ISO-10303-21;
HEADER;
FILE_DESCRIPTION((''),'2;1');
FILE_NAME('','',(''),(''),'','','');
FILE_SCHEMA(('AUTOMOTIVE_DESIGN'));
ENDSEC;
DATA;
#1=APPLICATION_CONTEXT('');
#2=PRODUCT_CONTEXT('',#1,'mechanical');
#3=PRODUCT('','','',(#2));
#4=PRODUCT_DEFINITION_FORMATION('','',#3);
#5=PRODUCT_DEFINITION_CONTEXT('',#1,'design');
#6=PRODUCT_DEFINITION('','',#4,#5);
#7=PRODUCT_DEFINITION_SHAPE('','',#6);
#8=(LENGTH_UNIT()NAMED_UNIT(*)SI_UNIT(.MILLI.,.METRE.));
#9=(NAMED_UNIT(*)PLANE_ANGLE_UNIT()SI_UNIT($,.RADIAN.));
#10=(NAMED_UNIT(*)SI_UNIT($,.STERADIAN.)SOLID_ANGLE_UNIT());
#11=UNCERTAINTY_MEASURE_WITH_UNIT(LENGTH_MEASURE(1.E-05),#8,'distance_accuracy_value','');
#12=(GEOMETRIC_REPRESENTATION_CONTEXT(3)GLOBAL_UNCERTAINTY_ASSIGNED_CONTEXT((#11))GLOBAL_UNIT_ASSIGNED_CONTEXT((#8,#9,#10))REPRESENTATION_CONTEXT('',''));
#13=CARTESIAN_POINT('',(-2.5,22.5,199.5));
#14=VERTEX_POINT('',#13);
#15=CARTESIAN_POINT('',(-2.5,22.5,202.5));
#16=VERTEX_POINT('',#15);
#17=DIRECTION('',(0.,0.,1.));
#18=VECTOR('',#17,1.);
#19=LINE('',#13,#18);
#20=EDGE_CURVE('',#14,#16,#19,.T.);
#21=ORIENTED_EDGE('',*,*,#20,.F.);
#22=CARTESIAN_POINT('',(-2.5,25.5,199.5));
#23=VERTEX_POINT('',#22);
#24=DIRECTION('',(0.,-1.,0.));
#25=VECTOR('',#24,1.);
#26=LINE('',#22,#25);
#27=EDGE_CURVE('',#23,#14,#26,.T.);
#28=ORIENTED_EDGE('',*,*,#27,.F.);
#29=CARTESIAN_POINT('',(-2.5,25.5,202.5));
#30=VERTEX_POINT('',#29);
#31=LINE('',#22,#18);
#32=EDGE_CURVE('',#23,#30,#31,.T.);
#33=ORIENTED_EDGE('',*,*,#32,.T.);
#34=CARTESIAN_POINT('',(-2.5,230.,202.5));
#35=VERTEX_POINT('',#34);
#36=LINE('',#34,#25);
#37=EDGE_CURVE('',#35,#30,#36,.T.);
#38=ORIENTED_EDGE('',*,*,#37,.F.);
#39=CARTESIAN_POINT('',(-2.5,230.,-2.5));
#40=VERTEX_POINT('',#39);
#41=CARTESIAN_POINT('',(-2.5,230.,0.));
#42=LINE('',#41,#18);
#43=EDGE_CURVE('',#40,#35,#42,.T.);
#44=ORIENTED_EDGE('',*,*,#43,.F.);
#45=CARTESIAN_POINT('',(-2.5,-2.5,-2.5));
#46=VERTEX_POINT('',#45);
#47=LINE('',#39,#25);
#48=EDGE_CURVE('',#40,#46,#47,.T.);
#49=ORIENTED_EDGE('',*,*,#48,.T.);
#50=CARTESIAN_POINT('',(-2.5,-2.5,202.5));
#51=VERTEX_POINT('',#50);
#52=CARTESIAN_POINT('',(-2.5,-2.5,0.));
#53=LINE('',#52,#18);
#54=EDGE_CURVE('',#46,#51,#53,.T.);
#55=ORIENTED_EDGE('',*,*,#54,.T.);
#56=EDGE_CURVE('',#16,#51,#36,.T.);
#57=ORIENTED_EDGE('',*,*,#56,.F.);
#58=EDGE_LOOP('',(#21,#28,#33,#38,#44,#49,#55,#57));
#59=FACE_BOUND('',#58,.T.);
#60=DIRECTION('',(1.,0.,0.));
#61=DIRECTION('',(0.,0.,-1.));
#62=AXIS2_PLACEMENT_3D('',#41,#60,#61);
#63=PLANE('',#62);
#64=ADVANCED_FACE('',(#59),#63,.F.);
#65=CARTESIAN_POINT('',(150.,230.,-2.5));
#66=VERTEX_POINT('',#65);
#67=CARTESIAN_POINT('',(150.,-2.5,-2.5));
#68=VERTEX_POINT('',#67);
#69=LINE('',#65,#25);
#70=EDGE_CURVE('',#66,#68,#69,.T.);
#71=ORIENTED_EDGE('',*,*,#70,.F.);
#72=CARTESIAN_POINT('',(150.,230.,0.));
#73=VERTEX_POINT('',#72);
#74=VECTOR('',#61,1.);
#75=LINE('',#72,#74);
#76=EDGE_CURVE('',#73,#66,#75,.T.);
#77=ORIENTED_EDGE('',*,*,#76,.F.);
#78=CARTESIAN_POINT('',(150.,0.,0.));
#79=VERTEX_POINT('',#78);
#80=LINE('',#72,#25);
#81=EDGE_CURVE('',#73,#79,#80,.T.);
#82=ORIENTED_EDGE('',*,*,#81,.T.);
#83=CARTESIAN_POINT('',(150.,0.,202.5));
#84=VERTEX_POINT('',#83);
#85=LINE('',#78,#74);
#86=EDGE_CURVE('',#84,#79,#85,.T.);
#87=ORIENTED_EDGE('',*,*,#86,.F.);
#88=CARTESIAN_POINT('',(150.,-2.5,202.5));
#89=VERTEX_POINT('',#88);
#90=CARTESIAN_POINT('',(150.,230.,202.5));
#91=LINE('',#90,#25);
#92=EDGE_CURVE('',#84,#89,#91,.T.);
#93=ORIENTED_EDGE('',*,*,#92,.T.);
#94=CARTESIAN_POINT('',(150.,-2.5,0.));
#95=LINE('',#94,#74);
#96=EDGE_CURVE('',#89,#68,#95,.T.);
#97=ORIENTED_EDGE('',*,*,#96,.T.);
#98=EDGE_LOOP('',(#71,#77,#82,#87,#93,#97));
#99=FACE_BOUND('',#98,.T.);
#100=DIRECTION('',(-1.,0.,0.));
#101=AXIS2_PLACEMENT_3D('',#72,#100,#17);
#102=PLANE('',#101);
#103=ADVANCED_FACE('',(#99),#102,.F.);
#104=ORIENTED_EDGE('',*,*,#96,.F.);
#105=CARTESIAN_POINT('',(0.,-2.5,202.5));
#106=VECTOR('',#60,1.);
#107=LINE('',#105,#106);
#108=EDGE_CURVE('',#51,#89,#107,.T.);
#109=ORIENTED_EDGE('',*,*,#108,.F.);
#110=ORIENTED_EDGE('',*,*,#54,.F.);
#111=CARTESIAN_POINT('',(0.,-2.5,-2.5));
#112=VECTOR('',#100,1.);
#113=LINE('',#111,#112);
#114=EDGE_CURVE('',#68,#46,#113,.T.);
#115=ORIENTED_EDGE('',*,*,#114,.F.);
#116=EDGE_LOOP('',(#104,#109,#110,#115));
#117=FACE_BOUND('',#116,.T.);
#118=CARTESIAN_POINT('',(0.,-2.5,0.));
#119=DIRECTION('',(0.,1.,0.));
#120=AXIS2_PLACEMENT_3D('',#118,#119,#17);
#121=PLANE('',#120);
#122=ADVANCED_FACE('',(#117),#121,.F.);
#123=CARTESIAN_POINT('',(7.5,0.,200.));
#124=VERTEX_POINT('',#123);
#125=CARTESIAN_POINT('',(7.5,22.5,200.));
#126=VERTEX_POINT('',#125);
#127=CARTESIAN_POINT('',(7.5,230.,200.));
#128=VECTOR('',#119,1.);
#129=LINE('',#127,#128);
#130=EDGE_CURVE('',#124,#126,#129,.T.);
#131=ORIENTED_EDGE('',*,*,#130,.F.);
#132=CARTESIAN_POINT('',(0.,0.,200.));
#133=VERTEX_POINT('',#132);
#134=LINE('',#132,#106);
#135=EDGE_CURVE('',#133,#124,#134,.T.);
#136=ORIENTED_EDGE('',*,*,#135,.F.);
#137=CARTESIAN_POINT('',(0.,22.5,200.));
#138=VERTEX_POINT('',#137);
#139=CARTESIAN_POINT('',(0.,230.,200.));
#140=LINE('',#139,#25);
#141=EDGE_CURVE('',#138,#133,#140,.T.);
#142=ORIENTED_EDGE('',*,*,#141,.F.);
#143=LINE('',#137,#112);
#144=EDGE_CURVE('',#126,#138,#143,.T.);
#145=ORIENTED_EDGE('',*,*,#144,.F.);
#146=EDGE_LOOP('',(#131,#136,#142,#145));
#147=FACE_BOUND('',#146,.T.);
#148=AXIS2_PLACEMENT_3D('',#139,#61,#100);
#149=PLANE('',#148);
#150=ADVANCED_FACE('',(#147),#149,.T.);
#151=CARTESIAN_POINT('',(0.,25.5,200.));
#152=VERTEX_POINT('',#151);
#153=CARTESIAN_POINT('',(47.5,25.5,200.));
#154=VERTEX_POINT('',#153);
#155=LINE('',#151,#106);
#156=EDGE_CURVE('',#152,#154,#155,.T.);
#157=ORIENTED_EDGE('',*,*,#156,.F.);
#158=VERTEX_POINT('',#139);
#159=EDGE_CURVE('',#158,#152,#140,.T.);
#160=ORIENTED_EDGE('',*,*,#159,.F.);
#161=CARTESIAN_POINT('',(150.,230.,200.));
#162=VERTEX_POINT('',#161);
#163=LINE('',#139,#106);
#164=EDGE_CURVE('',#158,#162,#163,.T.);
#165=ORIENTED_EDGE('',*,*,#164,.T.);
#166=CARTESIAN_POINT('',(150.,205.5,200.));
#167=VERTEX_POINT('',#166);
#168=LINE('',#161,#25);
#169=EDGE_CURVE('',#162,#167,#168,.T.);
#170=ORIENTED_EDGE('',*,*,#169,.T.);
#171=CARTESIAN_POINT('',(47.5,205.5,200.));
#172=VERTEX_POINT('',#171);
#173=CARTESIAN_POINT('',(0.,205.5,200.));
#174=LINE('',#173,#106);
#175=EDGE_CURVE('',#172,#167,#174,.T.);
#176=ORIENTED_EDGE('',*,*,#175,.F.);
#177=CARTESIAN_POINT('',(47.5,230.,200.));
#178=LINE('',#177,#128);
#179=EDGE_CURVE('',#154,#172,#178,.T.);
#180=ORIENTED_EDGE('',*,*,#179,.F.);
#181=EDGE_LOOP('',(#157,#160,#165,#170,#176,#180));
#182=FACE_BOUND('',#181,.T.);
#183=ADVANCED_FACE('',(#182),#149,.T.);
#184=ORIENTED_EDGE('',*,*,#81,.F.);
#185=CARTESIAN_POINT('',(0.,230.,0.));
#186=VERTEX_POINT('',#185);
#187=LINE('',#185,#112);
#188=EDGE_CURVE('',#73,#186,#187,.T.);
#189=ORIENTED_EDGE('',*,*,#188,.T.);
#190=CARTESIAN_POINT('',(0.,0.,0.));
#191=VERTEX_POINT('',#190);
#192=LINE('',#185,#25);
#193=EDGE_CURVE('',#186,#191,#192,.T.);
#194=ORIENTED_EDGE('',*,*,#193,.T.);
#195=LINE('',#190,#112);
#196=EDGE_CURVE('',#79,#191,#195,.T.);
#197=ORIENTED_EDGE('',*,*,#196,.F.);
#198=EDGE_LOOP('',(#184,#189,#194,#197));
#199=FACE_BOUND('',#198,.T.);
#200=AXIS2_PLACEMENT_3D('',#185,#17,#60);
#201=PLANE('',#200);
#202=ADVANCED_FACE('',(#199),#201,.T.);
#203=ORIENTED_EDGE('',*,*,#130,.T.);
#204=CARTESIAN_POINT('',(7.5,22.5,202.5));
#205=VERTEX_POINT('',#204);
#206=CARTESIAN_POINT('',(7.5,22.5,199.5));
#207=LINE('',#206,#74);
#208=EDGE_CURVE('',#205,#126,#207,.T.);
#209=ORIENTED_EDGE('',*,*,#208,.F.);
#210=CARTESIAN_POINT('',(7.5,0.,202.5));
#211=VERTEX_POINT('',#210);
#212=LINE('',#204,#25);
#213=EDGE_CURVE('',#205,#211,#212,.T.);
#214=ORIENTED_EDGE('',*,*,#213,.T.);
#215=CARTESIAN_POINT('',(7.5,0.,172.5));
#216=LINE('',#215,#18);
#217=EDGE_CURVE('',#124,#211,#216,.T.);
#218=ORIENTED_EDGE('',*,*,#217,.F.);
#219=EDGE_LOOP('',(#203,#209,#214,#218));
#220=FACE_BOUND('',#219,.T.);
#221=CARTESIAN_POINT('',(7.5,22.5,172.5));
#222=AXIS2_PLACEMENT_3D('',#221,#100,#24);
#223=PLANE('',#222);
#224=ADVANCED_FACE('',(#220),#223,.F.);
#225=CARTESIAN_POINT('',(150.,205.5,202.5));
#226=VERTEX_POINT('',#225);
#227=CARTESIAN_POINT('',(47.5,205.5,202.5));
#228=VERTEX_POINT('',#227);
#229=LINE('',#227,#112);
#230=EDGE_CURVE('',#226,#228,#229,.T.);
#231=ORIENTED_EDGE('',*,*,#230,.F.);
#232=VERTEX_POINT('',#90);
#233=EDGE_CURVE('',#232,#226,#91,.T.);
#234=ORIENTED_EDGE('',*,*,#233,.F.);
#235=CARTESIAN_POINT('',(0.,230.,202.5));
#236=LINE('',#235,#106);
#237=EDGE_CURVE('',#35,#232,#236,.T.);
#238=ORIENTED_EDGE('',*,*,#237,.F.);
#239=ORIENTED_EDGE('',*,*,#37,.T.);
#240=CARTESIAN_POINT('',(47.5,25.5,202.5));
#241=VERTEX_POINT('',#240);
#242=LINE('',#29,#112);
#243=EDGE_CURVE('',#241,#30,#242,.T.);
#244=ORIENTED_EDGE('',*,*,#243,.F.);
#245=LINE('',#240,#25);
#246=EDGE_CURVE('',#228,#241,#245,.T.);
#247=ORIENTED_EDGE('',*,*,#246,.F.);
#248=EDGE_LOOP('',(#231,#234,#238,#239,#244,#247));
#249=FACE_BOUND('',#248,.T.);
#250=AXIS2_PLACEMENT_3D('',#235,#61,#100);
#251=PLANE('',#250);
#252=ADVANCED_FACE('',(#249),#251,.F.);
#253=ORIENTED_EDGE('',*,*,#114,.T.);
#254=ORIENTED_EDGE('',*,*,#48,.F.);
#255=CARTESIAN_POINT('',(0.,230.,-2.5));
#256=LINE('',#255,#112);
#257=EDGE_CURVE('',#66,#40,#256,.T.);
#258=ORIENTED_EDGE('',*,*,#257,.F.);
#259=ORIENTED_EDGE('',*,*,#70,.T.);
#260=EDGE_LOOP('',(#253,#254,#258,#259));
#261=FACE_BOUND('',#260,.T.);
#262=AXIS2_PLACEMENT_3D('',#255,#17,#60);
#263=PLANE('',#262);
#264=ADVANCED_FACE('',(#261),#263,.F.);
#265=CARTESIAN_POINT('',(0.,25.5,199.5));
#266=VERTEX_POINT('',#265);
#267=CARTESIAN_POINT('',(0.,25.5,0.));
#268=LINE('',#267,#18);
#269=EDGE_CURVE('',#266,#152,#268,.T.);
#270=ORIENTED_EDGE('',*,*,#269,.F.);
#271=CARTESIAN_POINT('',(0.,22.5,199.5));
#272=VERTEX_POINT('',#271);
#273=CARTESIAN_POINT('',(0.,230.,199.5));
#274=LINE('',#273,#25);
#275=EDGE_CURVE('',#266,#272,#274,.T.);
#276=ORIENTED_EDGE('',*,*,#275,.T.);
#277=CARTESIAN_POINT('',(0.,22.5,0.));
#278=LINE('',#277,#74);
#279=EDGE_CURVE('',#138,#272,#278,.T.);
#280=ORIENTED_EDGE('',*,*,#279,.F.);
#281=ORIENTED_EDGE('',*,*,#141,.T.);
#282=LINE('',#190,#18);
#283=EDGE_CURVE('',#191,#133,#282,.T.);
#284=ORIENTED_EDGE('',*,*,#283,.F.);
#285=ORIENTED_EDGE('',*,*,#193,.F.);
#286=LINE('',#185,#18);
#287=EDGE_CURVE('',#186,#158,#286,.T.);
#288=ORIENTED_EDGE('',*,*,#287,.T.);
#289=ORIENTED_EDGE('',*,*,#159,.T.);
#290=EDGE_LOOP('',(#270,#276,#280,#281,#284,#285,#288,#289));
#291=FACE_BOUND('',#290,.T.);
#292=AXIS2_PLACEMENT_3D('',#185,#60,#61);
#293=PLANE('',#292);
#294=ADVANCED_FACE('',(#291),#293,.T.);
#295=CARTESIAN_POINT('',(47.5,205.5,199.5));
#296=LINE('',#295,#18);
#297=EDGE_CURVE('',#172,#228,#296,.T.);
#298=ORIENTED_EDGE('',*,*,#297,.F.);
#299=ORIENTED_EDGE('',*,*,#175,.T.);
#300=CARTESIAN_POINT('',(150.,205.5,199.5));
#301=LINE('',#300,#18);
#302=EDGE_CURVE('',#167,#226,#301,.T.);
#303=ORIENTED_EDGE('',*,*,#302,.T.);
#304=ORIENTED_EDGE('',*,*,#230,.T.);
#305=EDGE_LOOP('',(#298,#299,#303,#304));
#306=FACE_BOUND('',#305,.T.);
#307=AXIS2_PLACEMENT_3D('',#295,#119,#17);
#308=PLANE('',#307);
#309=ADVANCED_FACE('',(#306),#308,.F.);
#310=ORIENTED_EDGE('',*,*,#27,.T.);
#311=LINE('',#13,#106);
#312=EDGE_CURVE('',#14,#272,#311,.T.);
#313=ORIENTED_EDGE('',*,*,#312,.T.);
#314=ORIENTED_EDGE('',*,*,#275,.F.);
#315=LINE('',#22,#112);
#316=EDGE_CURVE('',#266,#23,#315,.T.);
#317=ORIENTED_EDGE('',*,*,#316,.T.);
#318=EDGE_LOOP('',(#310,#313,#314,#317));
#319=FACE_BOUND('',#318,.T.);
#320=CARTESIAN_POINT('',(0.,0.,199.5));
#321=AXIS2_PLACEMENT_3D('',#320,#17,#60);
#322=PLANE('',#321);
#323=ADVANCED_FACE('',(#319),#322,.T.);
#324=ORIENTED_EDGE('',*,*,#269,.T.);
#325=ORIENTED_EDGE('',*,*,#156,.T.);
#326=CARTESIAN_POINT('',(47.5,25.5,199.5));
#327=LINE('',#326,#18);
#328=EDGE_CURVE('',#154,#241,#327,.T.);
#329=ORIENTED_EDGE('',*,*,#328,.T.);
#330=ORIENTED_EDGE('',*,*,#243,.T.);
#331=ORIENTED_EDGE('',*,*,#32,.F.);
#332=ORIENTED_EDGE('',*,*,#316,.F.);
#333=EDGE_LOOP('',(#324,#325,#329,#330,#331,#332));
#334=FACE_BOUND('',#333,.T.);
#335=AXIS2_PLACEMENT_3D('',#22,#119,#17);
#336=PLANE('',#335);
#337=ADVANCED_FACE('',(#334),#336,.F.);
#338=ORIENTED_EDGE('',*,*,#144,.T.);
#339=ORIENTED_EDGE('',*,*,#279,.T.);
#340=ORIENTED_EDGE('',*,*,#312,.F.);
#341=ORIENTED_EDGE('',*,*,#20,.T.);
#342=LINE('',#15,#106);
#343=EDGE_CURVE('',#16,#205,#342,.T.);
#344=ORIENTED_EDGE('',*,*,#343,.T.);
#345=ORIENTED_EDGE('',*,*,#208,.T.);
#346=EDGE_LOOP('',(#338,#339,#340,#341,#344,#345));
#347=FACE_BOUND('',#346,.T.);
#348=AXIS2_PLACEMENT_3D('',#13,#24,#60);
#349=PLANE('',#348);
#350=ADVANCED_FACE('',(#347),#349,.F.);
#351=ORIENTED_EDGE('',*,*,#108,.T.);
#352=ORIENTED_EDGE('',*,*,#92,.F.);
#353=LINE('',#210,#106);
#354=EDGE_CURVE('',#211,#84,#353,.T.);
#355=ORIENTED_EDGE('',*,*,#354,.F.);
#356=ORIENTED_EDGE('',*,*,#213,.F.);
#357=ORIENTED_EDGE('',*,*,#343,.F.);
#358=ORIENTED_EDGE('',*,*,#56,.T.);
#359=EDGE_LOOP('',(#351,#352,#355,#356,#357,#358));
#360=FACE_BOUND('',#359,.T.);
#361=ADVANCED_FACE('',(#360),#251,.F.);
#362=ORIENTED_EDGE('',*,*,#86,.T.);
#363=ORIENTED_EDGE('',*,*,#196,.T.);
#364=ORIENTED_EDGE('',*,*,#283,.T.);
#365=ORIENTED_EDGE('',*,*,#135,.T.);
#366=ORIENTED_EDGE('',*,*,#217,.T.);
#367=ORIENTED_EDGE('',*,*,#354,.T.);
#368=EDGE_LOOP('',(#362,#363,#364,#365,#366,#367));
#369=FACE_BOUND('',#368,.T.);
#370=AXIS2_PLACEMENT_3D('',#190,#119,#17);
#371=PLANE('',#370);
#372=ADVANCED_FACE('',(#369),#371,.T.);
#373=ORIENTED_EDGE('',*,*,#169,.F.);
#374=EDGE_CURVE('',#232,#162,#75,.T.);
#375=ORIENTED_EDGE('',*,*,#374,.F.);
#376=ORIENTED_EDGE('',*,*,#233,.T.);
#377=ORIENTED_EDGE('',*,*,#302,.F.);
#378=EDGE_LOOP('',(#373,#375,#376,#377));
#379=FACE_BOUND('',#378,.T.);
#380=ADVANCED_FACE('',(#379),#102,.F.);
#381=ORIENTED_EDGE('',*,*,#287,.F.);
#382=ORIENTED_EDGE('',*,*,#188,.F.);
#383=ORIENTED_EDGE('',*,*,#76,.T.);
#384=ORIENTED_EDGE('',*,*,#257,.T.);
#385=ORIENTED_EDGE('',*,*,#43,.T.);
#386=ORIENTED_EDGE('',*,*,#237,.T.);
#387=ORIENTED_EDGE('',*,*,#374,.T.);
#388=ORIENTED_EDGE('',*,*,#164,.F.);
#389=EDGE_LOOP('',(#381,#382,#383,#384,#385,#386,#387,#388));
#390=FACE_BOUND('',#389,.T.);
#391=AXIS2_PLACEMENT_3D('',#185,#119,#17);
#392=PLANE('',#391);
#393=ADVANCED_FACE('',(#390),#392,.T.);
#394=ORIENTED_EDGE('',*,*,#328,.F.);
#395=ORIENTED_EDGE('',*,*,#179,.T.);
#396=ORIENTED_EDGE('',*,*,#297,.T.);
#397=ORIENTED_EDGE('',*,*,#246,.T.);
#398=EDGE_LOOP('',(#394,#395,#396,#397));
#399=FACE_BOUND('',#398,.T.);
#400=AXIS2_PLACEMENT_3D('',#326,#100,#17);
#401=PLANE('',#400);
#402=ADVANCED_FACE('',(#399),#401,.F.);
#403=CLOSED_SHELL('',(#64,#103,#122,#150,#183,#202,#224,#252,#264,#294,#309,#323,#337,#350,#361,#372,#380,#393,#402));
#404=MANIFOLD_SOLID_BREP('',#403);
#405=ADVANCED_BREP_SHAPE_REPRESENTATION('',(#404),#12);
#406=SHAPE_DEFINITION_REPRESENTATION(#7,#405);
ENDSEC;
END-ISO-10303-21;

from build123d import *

# Parameters (mm, degrees)
SKETCH_1_W          = 150
SKETCH_1_H          = 200
EXTRUDE_1_DEPTH     = 230
SHELL_1_T           = 2.5
CUT_EXTRUDE_1_DEPTH = 3
SKETCH_6_W          = 142.5
SKETCH_6_H          = 22.5
CUT_EXTRUDE_2_DEPTH = 30


with BuildPart() as part:
    # 草图1 → 凸台-拉伸1 (new body)
    with BuildSketch(Plane(origin=(0, 0, 0), x_dir=(1, 0, 0), z_dir=(0, 1, 0))):
        with Locations((75, -100)):
            Rectangle(SKETCH_1_W, SKETCH_1_H)
    extrude(amount=EXTRUDE_1_DEPTH)

    # 抽壳1
    shell_1_openings = [part.faces().sort_by_distance(p)[0] for p in [
        (150, 115, 100),
        (75, 230, 100),
    ]]
    offset(amount=SHELL_1_T, openings=shell_1_openings, kind=Kind.INTERSECTION)

    # 草图2 → 切除-拉伸1 (cut)
    with BuildSketch(Plane.XY.offset(202.5)):
        Polygon((-2.5, 25.5), (47.5, 25.5), (47.5, 205.5), (150, 205.5), (150, 30.5), (150, 27.5), (150, 22.5), (-2.5, 22.5), align=None)
    extrude(amount=-CUT_EXTRUDE_1_DEPTH, mode=Mode.SUBTRACT)

    # 草图6 → 切除-拉伸2 (cut)
    with BuildSketch(Plane.XY.offset(202.5)):
        with Locations((78.75, 11.25)):
            Rectangle(SKETCH_6_W, SKETCH_6_H)
    extrude(amount=-CUT_EXTRUDE_2_DEPTH, mode=Mode.SUBTRACT)


solid = part.part
